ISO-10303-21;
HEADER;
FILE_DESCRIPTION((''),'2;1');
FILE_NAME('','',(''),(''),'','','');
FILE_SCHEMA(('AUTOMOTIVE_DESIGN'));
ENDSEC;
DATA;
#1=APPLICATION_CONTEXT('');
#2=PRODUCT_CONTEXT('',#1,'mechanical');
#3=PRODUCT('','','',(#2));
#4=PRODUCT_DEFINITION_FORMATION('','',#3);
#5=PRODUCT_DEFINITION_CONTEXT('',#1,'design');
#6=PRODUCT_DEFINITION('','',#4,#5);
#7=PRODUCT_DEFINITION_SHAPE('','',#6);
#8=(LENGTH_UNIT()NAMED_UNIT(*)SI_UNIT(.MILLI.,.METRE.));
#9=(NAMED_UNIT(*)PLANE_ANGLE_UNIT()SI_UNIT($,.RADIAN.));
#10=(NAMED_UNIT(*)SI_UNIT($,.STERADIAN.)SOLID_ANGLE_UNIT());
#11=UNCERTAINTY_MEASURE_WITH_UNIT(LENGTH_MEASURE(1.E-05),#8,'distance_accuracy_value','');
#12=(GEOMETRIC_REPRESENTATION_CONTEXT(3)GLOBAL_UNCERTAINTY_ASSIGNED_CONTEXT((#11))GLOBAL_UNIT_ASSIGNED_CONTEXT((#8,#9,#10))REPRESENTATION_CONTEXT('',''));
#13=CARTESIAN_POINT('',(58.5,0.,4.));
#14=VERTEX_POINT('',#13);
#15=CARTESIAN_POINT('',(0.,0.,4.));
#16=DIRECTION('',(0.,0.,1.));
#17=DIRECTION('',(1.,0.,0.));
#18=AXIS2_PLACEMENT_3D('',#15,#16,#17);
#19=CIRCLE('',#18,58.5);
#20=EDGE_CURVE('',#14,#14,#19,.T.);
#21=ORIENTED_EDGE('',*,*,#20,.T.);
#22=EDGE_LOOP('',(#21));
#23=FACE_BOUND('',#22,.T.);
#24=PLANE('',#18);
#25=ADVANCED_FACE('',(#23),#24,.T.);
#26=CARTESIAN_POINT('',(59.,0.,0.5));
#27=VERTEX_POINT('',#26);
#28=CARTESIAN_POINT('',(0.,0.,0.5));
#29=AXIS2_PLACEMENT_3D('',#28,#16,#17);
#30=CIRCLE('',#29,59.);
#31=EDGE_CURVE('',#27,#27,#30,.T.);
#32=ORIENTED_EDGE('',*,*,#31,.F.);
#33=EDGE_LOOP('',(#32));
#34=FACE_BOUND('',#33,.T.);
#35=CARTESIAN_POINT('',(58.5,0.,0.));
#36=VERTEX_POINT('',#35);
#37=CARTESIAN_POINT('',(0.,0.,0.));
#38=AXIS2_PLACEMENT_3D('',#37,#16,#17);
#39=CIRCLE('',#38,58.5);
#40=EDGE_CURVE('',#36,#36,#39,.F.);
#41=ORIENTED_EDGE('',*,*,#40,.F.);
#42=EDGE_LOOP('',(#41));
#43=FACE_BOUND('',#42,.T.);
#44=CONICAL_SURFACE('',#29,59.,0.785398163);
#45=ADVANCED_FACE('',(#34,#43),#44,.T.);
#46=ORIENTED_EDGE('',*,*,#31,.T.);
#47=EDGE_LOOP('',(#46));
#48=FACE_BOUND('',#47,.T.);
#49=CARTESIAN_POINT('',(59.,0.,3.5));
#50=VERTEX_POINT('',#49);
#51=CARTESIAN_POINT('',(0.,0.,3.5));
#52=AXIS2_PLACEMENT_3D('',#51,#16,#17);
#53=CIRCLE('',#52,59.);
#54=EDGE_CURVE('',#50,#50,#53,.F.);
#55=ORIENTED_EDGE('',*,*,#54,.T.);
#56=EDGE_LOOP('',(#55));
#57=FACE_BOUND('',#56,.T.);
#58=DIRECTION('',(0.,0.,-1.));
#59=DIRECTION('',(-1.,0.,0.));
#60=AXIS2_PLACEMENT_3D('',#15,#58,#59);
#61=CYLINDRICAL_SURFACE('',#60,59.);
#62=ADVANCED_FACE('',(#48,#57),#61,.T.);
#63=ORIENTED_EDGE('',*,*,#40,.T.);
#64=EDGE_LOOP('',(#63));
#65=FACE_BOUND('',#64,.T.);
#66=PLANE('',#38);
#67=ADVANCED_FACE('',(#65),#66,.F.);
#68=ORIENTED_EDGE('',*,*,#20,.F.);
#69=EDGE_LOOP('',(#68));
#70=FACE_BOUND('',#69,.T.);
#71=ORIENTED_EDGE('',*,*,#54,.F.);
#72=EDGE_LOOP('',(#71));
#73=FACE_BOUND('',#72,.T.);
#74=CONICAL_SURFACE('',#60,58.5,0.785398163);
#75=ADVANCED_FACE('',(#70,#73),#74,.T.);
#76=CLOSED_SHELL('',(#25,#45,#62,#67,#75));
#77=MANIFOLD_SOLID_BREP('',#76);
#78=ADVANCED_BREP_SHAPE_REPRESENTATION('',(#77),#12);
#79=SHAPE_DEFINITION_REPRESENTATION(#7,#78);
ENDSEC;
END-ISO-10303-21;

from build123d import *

# Parameters (mm, degrees)
SKETCH_1_R      = 59
EXTRUDE_1_DEPTH = 4
CHAMFER_1_SIZE  = 0.5


with BuildPart() as part:
    # 草图1 → 凸台-拉伸1 (new body)
    with BuildSketch(Plane.XY):
        Circle(SKETCH_1_R)
    extrude(amount=EXTRUDE_1_DEPTH)

    # 倒角1
    chamfer_1_edges = [part.edges().sort_by_distance(p)[0] for p in [
        (-59, 0, 0),
        (-59, 0, 4),
    ]]
    chamfer(chamfer_1_edges, length=CHAMFER_1_SIZE)


solid = part.part
